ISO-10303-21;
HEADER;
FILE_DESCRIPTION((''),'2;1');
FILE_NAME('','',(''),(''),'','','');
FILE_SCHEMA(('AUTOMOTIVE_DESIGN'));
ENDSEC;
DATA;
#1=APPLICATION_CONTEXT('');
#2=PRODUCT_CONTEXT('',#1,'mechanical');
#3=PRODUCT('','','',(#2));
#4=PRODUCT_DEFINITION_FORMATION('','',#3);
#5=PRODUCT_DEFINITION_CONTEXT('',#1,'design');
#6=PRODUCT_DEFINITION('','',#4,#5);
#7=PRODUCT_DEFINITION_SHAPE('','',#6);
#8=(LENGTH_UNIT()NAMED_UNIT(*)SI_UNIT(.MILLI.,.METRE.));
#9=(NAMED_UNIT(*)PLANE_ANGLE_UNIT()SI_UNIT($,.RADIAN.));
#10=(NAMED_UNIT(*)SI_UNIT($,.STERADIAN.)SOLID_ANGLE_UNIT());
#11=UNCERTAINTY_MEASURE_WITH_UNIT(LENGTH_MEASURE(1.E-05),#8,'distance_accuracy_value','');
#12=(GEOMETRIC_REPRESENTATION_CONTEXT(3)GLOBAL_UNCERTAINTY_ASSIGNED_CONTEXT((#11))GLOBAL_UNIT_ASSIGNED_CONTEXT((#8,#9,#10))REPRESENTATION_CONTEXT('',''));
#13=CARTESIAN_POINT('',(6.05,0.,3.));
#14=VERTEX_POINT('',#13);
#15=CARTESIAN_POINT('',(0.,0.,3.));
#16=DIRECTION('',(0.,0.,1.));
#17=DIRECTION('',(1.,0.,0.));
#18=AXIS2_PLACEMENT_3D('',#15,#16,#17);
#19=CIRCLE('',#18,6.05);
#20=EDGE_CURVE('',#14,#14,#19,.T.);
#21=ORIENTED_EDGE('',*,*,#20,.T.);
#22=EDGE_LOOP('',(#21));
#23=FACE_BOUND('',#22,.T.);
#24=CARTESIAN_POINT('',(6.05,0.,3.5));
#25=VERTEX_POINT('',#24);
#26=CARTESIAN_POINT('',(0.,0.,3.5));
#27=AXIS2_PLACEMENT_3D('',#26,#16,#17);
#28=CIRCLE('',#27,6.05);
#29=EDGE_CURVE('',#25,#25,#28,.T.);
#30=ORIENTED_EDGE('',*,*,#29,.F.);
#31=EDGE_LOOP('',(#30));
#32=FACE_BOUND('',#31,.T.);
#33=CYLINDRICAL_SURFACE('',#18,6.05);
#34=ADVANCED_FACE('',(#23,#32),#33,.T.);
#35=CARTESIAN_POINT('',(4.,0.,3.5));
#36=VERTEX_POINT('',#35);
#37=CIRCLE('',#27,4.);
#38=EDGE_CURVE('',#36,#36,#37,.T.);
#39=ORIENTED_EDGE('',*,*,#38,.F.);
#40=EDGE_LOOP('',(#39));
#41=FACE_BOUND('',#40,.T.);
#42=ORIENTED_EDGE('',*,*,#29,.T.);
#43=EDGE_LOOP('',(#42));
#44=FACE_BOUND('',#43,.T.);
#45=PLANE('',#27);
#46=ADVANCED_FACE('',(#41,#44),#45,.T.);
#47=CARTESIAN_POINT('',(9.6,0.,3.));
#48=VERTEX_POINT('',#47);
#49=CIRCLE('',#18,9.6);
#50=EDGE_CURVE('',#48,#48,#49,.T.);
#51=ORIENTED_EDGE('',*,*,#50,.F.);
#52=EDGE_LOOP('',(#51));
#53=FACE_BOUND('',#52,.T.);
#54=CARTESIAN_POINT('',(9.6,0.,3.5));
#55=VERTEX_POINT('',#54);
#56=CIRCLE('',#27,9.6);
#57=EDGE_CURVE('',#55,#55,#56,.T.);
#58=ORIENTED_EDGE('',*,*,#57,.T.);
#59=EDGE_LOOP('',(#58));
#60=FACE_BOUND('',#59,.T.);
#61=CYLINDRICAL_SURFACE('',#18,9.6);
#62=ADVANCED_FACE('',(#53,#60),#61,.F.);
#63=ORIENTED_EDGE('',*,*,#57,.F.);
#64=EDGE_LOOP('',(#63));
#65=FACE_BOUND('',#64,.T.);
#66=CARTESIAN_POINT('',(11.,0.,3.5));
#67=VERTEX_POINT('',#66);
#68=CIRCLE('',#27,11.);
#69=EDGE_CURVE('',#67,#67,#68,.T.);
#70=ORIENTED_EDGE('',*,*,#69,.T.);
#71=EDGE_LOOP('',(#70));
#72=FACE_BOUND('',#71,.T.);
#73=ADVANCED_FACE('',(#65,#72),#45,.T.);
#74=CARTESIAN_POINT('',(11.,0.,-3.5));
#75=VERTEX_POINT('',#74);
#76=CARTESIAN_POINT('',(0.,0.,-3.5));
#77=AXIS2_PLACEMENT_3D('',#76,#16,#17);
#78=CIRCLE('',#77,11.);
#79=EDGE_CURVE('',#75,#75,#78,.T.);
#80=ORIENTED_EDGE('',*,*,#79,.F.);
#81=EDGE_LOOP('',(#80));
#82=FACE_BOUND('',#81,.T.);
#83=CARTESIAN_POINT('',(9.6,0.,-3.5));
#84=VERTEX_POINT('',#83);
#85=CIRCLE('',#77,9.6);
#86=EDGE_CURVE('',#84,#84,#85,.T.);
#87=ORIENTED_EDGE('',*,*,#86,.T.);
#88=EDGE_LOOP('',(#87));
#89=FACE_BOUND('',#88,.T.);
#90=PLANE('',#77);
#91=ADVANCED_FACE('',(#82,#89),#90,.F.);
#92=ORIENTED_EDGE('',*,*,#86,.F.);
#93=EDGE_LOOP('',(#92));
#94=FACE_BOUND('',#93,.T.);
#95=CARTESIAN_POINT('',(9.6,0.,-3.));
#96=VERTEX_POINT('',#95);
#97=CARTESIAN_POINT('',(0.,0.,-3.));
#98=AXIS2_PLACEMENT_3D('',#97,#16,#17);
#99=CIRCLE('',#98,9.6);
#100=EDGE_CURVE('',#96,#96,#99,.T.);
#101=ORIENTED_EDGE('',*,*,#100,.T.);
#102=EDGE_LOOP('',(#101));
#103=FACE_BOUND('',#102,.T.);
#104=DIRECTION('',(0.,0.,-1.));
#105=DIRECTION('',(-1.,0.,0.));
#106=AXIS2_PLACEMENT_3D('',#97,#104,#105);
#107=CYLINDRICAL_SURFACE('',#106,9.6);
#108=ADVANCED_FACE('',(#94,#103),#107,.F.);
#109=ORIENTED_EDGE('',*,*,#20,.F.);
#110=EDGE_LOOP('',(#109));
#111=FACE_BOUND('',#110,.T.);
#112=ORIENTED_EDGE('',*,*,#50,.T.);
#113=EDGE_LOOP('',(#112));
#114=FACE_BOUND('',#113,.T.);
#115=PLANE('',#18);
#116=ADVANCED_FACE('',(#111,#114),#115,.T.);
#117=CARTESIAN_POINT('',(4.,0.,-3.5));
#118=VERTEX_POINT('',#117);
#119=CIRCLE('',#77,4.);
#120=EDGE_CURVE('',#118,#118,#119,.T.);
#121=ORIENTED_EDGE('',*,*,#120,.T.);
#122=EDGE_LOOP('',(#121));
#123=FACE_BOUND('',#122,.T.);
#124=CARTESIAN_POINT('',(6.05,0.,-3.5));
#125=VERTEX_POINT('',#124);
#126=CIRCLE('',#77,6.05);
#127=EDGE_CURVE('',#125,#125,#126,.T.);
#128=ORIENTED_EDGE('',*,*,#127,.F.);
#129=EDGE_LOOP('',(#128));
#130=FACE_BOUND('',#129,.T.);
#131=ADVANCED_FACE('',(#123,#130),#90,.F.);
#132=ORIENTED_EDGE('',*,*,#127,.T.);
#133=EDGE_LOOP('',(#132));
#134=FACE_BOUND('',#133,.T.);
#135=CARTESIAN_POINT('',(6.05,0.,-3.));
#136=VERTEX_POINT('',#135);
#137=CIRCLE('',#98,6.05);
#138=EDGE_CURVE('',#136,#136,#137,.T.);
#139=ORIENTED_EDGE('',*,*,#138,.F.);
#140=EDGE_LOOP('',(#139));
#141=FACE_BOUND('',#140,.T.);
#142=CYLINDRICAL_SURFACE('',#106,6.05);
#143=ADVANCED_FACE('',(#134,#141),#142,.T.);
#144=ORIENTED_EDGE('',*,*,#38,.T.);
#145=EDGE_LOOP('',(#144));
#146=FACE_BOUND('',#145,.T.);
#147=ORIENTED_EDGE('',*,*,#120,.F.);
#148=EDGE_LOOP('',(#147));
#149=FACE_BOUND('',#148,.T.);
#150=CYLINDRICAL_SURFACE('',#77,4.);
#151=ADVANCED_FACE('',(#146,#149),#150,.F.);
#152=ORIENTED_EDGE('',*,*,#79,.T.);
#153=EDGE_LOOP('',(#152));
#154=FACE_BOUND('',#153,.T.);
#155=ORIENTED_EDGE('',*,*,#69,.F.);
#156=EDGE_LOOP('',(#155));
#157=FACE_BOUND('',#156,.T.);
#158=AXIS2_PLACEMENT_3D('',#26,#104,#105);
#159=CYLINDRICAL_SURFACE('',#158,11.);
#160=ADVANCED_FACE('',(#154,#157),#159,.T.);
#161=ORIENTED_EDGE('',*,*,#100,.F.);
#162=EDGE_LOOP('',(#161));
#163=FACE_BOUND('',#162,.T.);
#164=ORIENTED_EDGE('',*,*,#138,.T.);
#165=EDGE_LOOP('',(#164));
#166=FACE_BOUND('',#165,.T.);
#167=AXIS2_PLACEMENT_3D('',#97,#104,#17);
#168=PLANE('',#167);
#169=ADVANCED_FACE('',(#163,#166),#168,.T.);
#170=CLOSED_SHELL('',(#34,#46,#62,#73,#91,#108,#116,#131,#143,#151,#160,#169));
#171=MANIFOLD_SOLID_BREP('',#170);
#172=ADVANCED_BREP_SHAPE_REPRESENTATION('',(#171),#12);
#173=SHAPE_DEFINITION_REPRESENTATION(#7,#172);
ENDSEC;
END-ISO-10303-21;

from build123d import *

# Parameters (mm, degrees)
SKETCH_1_R          = 11
EXTRUDE_1_DEPTH     = 3.5
SKETCH_2_R          = 4
CUT_EXTRUDE_1_DEPTH = 8
SKETCH_3_R          = 9.6
SKETCH_3_R_2        = 6.05
CUT_EXTRUDE_2_DEPTH = 0.5


with BuildPart() as part:
    # 草圖1 → 填料-伸長1 (new body, symmetric)
    with BuildSketch(Plane.XY):
        Circle(SKETCH_1_R)
    extrude(amount=EXTRUDE_1_DEPTH, both=True)

    # 草圖2 → 除料-伸長1 (cut, through all)
    with BuildSketch(Plane.XY.offset(3.5)):
        Circle(SKETCH_2_R)
    extrude(amount=-CUT_EXTRUDE_1_DEPTH, mode=Mode.SUBTRACT)

    # 草圖3 → 除料-伸長2 (cut)
    with BuildSketch(Plane.XY.offset(3.5)):
        Circle(SKETCH_3_R)
        Circle(SKETCH_3_R_2, mode=Mode.SUBTRACT)
    cut_extrude_2 = extrude(amount=-CUT_EXTRUDE_2_DEPTH, mode=Mode.SUBTRACT)

    # 鏡射1: 除料-伸長2 across plane
    add(cut_extrude_2.mirror(Plane.XY), mode=Mode.SUBTRACT)


solid = part.part
